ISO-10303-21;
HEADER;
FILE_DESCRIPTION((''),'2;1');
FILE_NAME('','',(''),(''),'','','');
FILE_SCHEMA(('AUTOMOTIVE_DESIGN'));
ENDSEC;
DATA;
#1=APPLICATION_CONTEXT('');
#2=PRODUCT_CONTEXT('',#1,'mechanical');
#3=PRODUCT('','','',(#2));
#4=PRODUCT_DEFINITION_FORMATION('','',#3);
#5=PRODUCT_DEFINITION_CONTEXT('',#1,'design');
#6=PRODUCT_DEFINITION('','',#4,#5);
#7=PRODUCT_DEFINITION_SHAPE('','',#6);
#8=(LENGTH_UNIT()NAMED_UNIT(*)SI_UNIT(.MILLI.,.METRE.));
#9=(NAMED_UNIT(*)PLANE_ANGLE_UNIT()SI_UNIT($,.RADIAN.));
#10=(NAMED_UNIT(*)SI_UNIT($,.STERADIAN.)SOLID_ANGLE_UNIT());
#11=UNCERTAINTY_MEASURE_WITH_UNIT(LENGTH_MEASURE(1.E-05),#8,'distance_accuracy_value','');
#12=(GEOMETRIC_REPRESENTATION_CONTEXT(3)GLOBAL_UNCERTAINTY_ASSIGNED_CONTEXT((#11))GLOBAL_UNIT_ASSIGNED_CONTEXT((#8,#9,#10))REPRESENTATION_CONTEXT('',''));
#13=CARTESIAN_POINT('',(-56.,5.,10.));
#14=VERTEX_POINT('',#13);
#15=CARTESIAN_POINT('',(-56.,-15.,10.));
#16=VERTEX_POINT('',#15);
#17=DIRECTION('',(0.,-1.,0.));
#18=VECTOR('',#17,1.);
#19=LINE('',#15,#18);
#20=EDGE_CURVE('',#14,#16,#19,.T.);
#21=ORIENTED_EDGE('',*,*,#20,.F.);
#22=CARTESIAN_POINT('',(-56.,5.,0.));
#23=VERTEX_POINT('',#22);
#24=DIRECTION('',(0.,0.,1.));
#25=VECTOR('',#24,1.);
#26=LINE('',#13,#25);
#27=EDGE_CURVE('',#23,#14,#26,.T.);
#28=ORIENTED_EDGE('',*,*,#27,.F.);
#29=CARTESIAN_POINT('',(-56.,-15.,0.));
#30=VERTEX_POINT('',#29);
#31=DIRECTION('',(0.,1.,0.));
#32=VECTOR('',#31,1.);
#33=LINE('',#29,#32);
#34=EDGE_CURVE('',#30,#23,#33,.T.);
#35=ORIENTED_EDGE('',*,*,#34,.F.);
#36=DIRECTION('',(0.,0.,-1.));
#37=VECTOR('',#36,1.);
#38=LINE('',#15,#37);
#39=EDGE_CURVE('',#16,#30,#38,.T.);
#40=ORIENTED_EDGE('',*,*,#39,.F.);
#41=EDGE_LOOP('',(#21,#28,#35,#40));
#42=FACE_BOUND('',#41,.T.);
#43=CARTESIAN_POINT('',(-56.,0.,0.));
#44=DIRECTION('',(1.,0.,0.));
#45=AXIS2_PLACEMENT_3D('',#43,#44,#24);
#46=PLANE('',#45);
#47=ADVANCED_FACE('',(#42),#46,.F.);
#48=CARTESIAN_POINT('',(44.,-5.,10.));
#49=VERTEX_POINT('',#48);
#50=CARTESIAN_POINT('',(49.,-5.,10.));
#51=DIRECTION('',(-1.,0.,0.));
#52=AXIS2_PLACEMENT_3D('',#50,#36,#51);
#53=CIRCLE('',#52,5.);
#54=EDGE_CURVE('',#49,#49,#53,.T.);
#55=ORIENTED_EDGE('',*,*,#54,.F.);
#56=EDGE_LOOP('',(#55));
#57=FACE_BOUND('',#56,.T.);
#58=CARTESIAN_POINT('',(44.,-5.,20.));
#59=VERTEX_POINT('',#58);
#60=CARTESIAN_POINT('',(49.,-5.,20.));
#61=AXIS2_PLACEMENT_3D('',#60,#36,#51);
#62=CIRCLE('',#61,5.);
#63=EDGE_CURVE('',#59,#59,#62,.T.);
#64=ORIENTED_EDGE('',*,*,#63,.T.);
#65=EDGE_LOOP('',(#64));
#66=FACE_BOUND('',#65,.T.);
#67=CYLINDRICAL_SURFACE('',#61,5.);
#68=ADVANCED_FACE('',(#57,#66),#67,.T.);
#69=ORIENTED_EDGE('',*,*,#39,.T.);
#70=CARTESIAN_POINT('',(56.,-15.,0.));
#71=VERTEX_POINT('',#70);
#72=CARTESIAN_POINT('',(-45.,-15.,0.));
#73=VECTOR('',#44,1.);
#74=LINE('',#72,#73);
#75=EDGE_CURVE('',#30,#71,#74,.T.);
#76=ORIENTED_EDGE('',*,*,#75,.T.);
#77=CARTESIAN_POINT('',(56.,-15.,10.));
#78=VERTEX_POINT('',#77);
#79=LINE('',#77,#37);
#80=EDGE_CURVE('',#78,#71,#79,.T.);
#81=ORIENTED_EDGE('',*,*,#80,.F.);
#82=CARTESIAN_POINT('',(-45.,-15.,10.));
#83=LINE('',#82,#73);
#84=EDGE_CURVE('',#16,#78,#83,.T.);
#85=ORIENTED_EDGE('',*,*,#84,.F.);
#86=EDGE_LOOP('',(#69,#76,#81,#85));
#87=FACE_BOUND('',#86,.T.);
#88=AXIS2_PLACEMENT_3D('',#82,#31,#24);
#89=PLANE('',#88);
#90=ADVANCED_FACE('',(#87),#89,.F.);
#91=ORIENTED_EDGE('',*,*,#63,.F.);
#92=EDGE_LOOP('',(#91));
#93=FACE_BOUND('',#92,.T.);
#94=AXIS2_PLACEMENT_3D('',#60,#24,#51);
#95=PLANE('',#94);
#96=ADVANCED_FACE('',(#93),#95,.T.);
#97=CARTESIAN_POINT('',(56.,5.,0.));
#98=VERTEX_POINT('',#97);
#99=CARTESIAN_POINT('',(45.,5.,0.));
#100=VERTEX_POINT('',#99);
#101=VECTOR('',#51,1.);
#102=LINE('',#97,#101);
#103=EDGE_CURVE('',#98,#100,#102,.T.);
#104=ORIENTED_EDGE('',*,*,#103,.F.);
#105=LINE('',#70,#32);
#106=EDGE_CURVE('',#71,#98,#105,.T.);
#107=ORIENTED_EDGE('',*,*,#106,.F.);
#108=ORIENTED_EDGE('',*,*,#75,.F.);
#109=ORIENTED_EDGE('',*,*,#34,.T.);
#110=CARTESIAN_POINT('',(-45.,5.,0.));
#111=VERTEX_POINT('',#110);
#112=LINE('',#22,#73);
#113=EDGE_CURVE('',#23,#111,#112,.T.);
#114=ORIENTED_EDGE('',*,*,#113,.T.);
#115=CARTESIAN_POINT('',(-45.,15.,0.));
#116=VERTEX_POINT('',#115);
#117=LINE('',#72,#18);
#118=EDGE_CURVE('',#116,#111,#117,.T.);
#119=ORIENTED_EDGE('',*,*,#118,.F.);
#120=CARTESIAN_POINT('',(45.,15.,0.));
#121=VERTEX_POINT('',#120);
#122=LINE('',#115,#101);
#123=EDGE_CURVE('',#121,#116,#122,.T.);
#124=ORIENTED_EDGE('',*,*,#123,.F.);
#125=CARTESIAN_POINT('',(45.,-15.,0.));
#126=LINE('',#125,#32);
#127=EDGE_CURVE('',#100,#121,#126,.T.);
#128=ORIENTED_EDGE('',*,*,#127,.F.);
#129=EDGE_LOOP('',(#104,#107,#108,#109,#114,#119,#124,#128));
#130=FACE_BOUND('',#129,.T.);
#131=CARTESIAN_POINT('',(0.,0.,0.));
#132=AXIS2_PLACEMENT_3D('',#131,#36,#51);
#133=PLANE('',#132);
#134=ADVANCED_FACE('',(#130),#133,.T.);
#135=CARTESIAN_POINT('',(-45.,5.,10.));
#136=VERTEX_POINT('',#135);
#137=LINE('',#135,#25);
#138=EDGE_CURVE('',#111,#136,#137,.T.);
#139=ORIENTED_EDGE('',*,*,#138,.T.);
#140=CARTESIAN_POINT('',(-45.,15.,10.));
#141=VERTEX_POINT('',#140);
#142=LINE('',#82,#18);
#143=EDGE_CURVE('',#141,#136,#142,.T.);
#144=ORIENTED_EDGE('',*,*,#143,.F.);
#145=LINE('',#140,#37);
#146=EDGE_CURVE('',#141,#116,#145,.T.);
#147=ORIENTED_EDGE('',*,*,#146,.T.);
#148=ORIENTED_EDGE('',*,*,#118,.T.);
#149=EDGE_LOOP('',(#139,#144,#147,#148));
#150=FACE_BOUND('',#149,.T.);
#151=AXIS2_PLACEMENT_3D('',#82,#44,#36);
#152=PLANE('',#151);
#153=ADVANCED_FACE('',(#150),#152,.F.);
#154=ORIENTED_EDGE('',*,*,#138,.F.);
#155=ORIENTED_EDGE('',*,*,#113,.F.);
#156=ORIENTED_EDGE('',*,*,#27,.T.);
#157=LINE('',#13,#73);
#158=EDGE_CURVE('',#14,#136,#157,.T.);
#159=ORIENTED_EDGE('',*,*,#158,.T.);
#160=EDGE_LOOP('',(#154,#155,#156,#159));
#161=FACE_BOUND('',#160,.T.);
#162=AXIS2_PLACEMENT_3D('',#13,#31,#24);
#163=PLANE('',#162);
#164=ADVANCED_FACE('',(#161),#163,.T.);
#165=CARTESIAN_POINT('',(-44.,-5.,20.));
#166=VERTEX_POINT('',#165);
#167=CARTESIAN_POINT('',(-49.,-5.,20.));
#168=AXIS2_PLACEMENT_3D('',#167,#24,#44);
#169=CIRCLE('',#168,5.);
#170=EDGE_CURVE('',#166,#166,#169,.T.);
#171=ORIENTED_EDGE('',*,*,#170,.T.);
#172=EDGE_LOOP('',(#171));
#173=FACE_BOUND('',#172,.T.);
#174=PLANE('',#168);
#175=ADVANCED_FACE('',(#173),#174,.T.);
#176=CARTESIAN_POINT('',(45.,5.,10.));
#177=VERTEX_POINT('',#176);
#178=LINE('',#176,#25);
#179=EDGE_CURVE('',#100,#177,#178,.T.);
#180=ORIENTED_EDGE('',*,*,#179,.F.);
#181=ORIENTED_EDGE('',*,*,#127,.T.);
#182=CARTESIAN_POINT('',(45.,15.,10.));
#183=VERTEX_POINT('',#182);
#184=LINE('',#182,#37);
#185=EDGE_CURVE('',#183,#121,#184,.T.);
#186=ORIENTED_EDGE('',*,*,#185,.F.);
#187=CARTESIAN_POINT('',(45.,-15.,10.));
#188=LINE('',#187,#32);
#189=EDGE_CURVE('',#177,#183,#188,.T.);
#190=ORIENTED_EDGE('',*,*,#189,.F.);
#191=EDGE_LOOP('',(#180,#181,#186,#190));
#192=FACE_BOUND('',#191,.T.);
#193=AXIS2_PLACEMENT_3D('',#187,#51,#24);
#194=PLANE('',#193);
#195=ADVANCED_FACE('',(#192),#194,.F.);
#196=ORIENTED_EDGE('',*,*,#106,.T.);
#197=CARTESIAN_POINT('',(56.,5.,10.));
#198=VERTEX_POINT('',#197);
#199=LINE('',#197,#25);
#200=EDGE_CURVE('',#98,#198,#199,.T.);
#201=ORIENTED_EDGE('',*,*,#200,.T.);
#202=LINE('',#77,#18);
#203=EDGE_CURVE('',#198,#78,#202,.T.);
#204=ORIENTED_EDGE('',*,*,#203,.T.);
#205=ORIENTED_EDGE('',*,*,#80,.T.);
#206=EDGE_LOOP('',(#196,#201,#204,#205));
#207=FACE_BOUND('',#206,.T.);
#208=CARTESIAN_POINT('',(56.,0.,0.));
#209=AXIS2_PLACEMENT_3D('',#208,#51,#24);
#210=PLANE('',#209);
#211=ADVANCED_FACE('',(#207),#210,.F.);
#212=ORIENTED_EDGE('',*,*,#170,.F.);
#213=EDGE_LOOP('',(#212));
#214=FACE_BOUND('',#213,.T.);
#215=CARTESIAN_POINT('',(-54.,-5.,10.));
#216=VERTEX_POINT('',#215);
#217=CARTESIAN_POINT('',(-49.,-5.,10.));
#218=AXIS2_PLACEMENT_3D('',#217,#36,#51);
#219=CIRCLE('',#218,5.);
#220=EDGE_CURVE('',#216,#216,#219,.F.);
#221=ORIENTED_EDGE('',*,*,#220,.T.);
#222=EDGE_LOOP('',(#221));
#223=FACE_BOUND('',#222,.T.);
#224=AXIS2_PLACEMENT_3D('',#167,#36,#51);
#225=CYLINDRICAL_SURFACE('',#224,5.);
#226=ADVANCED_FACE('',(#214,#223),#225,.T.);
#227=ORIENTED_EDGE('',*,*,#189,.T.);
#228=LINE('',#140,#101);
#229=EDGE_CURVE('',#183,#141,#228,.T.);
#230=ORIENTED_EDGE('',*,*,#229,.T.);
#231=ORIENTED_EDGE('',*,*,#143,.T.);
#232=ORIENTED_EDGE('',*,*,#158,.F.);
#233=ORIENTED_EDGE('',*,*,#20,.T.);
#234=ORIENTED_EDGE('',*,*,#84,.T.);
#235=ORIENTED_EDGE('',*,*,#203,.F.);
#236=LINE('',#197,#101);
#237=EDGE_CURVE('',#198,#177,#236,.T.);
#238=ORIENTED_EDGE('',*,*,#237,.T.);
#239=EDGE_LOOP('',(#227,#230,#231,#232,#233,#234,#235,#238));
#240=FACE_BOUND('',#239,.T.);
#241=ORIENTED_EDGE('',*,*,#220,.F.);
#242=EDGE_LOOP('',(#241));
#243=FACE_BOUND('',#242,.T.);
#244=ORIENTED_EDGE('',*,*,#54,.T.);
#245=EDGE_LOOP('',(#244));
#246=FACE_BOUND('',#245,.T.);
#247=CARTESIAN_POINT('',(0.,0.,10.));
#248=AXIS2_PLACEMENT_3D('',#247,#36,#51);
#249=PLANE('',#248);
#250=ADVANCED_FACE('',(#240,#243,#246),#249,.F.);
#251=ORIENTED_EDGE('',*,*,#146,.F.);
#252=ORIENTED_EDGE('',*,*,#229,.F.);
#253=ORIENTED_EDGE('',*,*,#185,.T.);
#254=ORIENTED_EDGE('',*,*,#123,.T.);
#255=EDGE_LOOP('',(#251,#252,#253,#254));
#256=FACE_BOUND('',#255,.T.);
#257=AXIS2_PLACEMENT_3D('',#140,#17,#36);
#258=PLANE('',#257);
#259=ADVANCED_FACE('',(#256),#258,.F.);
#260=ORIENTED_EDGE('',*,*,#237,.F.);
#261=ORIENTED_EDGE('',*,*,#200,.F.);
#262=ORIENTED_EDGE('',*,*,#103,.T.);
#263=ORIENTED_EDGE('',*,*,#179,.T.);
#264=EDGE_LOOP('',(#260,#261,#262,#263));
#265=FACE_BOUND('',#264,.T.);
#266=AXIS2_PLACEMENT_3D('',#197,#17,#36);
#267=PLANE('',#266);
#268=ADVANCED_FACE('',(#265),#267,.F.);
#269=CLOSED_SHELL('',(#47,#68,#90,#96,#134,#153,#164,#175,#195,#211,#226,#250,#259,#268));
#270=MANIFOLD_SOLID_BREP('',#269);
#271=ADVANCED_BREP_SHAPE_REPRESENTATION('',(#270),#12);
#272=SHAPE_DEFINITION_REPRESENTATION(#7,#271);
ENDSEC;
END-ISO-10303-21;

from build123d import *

# Parameters (mm, degrees)
SKETCH1_W           = 90
SKETCH1_H           = 30
BOSS_EXTRUDE1_DEPTH = 10
SKETCH3_W           = 10
SKETCH3_H           = 20
BOSS_EXTRUDE2_DEPTH = 11
SKETCH4_R           = 5
BOSS_EXTRUDE3_DEPTH = 10


with BuildPart() as part:
    # Sketch1 → Boss-Extrude1 (new body)
    with BuildSketch(Plane.XY):
        Rectangle(SKETCH1_W, SKETCH1_H)
    extrude(amount=BOSS_EXTRUDE1_DEPTH)

    # Sketch3 → Boss-Extrude2 (add)
    with BuildSketch(Plane(origin=(45, 0, 0), x_dir=(0, 0, -1), z_dir=(1, 0, 0))):
        with Locations((-5, -5)):
            Rectangle(SKETCH3_W, SKETCH3_H)
    boss_extrude2 = extrude(amount=BOSS_EXTRUDE2_DEPTH)

    # Mirror1: Boss-Extrude2 across plane
    add(boss_extrude2.mirror(Plane(origin=(0, 0, 0), x_dir=(0, 0, 1), z_dir=(1, 0, 0))))

    # Sketch4 → Boss-Extrude3 (add)
    with BuildSketch(Plane.XY.offset(10)):
        with Locations(Location((-49, -5, 0), (0, 0, 180))):
            Circle(SKETCH4_R)
    boss_extrude3 = extrude(amount=BOSS_EXTRUDE3_DEPTH)

    # Mirror2: Boss-Extrude3 across plane
    add(boss_extrude3.mirror(Plane(origin=(0, 0, 0), x_dir=(0, 0, 1), z_dir=(1, 0, 0))))


solid = part.part
